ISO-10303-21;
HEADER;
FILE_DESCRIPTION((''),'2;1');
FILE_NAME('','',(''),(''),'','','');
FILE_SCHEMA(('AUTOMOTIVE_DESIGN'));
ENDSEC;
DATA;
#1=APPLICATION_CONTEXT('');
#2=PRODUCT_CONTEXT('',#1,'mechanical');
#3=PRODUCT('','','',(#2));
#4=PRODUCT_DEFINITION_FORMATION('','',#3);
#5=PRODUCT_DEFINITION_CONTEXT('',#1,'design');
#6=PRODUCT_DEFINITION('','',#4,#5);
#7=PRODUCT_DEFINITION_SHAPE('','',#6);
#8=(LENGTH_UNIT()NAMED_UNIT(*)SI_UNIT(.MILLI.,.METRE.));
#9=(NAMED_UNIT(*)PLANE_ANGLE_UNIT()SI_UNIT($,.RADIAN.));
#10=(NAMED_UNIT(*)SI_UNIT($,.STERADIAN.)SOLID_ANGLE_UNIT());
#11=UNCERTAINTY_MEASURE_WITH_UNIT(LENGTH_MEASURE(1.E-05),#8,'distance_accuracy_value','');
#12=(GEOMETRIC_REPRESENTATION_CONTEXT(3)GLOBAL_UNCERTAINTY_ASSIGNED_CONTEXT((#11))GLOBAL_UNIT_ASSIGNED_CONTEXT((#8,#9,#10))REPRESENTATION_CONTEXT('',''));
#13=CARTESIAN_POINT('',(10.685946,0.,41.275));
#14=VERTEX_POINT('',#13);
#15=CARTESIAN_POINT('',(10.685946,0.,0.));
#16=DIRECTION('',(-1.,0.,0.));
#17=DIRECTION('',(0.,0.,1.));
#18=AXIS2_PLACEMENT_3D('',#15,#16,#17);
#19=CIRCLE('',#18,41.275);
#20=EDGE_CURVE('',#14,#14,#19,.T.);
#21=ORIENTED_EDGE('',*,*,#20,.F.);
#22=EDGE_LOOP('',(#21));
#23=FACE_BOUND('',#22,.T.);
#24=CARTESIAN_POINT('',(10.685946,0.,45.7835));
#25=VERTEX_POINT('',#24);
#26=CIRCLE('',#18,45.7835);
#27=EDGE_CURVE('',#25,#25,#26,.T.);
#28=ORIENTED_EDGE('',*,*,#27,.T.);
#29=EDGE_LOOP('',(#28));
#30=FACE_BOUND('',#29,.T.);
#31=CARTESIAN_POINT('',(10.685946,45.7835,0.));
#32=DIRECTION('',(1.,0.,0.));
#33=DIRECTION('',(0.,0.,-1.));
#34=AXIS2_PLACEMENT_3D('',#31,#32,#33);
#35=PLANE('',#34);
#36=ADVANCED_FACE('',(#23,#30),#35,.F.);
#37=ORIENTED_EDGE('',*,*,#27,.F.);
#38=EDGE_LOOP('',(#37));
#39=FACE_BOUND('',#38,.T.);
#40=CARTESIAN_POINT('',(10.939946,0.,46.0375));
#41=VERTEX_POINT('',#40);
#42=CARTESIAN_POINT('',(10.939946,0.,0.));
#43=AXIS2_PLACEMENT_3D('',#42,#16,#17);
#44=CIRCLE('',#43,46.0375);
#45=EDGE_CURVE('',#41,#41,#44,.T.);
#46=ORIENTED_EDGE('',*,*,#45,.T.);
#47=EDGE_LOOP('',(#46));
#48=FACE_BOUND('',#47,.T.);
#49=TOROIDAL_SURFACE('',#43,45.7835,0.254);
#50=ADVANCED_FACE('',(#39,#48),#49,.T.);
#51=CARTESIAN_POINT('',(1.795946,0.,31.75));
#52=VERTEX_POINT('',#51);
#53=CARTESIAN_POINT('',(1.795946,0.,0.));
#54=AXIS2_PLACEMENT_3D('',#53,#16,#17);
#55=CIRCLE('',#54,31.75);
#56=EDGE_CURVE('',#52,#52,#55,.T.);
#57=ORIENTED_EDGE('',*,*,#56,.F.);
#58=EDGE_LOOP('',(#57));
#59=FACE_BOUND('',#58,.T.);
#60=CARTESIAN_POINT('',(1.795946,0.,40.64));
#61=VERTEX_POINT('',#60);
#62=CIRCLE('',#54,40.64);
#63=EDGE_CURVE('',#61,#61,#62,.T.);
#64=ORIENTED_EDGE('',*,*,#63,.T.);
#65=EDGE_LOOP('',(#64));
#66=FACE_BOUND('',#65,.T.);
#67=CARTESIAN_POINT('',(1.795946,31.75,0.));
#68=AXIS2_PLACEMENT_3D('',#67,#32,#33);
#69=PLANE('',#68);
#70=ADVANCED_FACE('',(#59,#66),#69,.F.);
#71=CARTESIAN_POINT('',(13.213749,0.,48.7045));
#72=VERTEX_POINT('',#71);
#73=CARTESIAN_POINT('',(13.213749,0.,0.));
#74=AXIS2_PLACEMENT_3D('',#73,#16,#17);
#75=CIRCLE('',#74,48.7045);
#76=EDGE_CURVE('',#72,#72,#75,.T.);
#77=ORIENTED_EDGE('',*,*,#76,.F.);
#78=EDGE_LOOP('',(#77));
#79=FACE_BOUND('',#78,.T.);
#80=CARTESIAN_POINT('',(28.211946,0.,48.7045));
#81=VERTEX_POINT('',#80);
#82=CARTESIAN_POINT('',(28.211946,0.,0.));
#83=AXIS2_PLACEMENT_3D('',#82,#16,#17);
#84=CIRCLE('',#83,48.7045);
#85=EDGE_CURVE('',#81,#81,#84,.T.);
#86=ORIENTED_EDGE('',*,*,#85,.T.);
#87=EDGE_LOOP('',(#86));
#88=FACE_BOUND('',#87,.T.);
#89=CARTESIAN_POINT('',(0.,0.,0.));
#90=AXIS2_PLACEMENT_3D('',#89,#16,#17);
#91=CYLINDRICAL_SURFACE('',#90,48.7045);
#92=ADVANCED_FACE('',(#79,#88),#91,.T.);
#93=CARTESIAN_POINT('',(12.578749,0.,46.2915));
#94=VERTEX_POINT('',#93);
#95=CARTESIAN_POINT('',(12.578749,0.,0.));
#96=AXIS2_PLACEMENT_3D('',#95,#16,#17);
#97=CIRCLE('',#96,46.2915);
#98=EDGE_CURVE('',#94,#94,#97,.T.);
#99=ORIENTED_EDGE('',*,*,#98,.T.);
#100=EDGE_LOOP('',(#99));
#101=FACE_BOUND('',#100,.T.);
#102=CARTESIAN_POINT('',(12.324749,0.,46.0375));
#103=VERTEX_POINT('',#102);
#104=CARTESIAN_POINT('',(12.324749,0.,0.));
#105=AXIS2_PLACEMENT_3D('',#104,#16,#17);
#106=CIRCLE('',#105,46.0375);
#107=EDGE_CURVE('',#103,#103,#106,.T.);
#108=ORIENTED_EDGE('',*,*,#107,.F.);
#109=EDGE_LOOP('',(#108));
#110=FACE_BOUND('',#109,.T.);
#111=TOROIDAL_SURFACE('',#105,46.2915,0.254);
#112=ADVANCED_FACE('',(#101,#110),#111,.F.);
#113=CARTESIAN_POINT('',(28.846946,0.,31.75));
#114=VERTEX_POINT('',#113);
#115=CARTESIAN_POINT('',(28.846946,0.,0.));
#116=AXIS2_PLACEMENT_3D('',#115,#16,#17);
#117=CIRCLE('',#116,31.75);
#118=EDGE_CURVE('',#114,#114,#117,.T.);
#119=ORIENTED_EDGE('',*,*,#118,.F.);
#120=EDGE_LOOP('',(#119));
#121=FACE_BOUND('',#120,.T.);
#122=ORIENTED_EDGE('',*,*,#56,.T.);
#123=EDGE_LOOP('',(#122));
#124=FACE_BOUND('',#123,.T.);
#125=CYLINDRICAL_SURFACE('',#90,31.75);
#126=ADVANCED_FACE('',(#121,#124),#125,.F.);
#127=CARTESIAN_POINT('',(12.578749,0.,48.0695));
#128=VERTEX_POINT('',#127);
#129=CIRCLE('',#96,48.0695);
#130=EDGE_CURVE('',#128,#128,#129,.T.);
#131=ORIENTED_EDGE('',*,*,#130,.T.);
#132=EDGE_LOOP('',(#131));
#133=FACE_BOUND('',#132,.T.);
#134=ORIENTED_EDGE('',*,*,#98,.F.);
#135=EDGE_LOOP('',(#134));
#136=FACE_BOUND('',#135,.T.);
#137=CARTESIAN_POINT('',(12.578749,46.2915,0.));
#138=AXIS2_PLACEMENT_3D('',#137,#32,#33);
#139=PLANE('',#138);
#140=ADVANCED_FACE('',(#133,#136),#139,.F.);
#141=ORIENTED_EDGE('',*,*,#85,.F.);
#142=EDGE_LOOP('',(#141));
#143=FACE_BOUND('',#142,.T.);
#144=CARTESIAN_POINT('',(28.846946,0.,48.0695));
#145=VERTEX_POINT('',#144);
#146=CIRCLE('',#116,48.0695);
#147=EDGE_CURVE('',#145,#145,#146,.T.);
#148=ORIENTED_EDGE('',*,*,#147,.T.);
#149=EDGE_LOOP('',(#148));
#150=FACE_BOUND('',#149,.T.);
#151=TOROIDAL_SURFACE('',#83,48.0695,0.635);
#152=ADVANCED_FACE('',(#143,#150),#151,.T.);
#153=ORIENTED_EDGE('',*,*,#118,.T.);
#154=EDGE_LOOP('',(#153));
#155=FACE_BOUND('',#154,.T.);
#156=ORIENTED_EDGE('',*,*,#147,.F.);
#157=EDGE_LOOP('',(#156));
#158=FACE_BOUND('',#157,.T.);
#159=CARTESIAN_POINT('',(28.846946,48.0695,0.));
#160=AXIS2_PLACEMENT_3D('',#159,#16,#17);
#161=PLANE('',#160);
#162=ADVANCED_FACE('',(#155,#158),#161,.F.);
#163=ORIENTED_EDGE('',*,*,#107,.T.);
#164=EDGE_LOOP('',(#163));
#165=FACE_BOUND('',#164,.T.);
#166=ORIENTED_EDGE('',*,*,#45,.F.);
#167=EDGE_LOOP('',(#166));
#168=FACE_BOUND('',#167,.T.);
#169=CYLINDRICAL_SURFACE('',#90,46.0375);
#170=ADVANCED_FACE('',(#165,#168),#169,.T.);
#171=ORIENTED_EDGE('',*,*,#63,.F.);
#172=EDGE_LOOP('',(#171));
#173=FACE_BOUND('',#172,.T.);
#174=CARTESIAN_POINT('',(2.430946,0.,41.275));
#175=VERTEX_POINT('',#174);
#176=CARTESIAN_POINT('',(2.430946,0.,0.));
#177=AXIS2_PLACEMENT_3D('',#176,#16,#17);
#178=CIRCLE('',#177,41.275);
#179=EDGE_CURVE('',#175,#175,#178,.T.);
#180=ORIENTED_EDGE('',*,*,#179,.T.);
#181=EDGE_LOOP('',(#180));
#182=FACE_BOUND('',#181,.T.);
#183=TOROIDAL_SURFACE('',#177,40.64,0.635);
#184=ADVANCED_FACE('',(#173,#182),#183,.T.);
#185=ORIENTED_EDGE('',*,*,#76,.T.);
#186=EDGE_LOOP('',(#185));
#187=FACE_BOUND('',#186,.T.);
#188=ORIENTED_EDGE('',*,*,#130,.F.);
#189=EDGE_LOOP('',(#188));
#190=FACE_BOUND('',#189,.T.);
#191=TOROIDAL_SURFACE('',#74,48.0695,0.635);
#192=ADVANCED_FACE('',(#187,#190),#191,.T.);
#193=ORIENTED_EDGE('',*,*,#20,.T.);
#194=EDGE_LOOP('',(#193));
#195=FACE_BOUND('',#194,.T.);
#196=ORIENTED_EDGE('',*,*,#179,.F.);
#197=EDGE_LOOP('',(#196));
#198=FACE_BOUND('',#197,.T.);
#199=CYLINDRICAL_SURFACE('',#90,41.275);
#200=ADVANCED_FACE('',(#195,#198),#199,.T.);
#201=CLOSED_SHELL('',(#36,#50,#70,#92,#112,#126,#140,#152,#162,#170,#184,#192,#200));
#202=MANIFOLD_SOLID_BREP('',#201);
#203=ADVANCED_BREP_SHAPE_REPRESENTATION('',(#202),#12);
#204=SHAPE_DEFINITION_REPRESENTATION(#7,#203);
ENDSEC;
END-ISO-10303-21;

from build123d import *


with BuildPart() as part:
    # Sketch1 → Revolve1 (revolve)
    with BuildSketch(Plane.XY, mode=Mode.PRIVATE) as revolve1_sk:
        with BuildLine():
            Line((1.795946189, 31.75), (1.795946189, 40.64))
            ThreePointArc((1.795946189, 40.64), (1.981933383, 41.089012806), (2.430946189, 41.275))
            Line((2.430946189, 41.275), (10.685946189, 41.275))
            Line((10.685946189, 41.275), (10.685946189, 45.7835))
            ThreePointArc((10.685946189, 45.7835), (10.760341067, 45.963105122), (10.939946189, 46.0375))
            Line((10.939946189, 46.0375), (12.324748868, 46.0375))
            ThreePointArc((12.324748868, 46.0375), (12.50435399, 46.111894878), (12.578748868, 46.2915))
            Line((12.578748868, 46.2915), (12.578748868, 48.0695))
            ThreePointArc((12.578748868, 48.0695), (12.764736062, 48.518512806), (13.213748868, 48.7045))
            Line((13.213748868, 48.7045), (28.211946189, 48.7045))
            ThreePointArc((28.211946189, 48.7045), (28.660958995, 48.518512806), (28.846946189, 48.0695))
            Line((28.846946189, 48.0695), (28.846946189, 31.75))
            Line((28.846946189, 31.75), (1.795946189, 31.75))
        make_face()
    revolve(revolve1_sk.sketch.rotate(Axis((0, 0, 0), (1, 0, 0)), 90), axis=Axis((0, 0, 0), (1, 0, 0)))


solid = part.part
